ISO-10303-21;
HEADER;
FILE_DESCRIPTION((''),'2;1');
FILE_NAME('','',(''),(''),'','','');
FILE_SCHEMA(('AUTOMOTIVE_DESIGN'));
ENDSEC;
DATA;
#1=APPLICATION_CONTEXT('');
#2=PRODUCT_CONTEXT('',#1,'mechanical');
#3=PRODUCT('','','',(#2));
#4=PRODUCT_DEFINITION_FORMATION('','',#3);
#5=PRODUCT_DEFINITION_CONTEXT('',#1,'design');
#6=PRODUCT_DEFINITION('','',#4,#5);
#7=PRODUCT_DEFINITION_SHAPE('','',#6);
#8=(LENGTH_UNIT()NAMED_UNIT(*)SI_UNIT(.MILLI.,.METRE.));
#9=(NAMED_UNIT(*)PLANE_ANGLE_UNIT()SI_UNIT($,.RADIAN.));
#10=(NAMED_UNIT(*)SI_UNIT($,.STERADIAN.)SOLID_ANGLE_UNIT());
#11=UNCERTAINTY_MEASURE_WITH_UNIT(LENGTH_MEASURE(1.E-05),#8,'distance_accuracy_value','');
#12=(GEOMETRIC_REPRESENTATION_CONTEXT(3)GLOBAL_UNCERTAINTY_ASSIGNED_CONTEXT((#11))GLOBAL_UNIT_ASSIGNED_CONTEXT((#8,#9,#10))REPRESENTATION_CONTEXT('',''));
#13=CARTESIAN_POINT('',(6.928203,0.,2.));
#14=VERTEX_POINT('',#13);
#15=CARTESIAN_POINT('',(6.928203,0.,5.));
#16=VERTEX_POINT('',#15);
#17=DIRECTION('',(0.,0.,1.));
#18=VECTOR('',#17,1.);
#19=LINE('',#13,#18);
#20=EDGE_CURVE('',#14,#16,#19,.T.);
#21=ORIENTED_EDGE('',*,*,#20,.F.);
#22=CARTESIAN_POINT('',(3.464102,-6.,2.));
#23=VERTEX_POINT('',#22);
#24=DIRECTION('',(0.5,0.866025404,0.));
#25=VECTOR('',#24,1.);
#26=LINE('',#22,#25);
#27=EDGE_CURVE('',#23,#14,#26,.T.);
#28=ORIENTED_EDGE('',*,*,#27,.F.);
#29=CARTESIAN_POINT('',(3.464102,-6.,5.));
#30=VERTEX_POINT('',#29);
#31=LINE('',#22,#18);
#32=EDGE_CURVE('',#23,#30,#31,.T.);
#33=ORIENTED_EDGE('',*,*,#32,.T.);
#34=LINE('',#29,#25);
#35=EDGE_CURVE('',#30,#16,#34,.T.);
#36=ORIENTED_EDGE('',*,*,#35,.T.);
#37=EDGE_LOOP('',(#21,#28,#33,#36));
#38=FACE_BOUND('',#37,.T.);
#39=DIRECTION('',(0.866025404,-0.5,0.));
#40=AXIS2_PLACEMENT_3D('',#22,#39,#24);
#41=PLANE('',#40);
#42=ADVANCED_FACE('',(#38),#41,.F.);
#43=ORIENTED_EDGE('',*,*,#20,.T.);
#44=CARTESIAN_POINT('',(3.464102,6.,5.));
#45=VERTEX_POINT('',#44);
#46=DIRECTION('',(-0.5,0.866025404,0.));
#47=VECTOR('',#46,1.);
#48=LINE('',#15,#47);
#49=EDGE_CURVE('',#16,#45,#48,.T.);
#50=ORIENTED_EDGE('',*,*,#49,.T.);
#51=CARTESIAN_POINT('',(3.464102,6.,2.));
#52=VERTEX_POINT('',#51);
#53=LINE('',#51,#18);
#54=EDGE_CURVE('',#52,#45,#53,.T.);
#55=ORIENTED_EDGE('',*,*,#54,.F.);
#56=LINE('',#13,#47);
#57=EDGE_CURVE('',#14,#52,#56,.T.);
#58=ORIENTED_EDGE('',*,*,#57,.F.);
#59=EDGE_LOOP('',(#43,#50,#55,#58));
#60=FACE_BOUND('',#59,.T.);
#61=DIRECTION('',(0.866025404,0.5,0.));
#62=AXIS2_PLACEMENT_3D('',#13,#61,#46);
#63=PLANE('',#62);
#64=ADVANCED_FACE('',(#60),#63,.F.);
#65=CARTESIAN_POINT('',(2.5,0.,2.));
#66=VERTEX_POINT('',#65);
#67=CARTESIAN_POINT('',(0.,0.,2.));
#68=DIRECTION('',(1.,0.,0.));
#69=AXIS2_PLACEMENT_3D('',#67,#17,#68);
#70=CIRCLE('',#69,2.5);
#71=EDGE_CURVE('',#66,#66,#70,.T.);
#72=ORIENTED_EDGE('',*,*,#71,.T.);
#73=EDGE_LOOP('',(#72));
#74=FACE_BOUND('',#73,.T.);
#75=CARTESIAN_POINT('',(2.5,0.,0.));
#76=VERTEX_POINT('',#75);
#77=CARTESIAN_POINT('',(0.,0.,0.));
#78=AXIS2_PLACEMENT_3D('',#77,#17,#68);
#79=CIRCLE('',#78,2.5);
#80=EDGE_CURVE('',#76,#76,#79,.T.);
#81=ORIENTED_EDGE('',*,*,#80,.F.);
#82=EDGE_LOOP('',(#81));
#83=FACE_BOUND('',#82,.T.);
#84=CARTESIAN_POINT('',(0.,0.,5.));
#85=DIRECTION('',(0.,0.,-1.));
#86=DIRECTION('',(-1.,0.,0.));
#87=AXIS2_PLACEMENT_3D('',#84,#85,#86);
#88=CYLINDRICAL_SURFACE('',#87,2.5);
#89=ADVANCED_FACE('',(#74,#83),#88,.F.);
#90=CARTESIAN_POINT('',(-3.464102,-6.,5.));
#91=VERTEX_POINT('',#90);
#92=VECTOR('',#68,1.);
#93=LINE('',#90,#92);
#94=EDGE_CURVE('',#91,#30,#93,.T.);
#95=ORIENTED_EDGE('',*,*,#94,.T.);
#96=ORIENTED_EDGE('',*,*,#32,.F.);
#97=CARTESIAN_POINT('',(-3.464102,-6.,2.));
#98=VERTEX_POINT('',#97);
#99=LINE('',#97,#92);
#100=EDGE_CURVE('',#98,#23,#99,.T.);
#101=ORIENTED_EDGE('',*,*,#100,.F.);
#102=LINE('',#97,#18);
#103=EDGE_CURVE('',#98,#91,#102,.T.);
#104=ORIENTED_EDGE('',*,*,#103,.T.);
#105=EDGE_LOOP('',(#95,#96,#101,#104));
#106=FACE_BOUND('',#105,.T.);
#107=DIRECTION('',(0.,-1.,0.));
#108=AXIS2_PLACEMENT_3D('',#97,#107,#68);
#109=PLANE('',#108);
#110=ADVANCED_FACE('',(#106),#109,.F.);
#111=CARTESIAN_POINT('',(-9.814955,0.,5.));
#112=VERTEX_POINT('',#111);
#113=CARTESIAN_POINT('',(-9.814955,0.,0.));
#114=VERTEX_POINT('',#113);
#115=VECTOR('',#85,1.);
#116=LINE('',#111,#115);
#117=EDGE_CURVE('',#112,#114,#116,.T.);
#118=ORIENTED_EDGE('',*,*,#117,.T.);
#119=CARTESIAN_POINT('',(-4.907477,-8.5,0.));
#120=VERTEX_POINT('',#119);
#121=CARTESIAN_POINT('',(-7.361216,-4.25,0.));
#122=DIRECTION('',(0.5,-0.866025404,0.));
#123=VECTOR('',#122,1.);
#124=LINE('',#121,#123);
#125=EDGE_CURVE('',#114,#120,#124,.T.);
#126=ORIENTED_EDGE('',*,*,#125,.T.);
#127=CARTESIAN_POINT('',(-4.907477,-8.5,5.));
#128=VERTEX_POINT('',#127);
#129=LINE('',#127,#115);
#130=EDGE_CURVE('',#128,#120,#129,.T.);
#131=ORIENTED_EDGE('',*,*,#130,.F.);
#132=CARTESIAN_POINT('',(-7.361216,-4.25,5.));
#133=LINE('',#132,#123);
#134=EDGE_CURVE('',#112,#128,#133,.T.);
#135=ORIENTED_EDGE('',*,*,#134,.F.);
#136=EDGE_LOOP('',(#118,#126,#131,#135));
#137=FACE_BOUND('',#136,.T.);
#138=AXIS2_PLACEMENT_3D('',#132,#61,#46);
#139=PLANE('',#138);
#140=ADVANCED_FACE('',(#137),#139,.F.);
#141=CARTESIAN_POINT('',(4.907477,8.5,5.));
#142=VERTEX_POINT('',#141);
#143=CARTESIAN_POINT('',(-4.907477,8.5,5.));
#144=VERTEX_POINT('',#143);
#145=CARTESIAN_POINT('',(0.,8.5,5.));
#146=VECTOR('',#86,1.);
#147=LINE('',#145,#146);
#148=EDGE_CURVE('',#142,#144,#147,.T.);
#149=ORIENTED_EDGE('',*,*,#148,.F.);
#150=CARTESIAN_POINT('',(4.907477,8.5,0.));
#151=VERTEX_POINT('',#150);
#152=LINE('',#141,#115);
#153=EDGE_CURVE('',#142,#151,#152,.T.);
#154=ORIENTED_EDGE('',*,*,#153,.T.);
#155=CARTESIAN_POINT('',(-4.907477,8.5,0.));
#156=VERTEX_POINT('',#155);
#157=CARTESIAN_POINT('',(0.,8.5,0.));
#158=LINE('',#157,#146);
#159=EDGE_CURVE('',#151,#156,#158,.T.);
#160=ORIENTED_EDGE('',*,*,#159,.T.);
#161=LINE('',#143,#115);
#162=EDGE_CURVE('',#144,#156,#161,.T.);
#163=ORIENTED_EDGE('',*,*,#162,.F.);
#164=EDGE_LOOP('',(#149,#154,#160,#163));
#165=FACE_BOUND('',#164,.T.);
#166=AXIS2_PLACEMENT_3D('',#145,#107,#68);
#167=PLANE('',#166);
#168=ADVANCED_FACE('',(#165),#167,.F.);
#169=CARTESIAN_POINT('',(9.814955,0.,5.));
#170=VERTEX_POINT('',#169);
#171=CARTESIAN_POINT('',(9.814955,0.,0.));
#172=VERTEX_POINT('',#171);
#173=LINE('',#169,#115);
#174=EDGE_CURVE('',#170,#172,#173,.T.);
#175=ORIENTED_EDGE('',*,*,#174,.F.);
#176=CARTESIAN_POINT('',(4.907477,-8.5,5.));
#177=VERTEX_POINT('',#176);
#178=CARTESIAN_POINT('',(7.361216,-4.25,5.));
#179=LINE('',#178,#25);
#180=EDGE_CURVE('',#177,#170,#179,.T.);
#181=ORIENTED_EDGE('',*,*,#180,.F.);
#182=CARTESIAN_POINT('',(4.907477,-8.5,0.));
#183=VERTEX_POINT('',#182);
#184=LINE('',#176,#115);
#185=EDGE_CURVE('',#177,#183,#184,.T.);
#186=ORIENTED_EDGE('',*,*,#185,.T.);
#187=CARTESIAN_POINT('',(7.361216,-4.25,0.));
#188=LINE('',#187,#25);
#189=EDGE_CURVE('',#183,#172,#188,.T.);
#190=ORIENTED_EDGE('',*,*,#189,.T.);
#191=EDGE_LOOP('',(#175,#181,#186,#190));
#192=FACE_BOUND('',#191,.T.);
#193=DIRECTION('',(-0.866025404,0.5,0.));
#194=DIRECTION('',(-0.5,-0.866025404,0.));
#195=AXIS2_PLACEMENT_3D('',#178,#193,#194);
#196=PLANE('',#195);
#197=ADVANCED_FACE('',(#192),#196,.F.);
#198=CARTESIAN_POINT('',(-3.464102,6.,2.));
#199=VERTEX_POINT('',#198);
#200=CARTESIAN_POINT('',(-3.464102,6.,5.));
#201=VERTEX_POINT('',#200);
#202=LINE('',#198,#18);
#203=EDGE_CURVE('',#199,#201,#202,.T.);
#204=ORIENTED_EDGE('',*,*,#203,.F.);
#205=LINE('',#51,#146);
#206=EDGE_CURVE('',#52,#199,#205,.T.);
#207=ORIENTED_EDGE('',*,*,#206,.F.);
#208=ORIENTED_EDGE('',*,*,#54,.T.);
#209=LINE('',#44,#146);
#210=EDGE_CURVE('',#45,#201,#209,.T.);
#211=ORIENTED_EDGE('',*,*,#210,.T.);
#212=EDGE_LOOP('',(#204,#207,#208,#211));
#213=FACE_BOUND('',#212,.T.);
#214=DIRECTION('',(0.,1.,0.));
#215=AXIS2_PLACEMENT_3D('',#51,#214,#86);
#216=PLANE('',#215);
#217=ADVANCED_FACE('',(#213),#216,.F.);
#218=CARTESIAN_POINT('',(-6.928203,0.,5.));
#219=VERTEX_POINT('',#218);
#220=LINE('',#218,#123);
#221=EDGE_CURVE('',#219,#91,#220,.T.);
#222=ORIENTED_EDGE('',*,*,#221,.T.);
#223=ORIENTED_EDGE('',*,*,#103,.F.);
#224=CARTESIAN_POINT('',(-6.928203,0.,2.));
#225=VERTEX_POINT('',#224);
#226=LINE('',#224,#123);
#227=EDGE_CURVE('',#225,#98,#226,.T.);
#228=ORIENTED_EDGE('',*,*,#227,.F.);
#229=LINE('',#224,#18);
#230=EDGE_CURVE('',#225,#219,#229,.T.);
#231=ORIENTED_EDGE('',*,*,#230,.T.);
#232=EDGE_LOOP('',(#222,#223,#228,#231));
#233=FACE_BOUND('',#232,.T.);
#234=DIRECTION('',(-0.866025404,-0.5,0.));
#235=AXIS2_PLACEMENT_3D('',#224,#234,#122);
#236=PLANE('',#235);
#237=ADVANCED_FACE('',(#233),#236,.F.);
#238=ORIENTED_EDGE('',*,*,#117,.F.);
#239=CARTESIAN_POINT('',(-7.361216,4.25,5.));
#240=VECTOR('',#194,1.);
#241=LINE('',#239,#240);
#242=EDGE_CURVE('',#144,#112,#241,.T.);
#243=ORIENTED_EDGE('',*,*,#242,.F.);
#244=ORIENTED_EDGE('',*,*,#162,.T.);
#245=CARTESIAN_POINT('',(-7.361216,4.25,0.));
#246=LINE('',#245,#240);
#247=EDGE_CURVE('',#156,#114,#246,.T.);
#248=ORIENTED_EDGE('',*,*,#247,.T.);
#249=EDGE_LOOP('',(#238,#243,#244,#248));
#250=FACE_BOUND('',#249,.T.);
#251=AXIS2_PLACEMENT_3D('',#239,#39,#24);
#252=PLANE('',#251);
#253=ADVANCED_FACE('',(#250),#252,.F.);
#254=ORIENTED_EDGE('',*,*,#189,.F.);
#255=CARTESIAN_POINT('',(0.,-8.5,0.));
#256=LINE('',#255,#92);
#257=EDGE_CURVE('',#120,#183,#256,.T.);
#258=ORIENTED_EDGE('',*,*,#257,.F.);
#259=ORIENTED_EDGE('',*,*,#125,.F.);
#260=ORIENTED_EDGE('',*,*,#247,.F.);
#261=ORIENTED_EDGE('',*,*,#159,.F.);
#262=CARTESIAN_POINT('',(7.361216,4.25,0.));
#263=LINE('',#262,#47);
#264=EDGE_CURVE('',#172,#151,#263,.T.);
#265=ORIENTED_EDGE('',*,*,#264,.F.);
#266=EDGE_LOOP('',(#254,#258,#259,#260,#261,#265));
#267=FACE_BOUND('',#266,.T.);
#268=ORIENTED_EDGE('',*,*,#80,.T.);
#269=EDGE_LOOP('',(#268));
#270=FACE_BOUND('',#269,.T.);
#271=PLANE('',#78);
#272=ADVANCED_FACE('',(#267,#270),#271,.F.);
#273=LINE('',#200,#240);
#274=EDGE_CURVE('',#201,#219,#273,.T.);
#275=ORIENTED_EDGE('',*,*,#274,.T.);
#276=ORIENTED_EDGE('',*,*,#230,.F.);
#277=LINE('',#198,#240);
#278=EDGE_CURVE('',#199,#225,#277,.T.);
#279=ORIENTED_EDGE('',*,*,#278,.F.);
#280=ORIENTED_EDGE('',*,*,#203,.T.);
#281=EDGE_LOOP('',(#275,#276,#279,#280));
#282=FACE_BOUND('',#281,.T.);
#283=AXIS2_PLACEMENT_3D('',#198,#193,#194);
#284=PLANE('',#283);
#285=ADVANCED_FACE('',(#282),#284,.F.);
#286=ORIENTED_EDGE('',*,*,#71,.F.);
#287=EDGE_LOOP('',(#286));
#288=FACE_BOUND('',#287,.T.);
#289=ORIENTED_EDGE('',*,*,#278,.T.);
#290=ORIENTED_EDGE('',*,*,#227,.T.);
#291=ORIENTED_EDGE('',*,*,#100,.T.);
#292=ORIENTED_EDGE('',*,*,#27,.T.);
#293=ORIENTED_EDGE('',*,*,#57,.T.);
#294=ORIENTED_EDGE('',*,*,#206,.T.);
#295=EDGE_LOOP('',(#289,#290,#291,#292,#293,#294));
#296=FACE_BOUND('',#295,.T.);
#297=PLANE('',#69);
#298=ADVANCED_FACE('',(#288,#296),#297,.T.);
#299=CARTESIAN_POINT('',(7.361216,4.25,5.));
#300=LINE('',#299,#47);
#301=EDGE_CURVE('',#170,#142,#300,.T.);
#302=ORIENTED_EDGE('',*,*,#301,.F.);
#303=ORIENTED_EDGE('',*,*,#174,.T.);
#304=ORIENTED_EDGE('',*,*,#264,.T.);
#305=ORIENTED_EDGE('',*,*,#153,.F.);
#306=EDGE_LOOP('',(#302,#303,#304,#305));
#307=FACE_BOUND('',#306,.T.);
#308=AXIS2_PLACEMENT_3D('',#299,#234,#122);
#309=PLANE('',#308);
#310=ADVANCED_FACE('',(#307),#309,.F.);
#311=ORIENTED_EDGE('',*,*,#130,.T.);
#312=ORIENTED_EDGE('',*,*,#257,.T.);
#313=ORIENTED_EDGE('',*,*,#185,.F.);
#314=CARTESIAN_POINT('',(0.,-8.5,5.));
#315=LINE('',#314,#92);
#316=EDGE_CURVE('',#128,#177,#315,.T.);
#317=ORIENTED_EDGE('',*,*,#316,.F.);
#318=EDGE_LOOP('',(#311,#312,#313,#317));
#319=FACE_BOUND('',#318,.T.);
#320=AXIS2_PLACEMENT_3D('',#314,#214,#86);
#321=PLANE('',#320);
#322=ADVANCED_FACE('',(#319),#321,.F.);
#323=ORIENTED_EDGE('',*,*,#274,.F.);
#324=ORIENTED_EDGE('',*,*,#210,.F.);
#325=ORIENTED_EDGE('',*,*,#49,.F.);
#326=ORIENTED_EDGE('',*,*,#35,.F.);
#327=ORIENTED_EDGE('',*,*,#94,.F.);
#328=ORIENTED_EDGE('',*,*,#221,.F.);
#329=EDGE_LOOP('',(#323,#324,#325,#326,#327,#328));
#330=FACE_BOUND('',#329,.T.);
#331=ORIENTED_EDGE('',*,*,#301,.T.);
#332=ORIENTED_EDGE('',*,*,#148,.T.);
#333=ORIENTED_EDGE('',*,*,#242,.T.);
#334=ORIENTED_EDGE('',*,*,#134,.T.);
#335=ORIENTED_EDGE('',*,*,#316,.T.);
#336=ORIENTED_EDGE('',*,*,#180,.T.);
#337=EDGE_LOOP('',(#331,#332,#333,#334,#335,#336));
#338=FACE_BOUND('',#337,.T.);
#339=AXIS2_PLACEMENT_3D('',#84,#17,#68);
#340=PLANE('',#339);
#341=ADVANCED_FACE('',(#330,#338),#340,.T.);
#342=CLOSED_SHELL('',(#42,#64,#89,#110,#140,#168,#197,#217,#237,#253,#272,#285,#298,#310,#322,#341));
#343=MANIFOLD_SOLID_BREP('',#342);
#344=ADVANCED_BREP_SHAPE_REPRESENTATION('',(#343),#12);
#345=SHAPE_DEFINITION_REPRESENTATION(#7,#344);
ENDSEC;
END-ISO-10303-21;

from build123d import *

# Parameters (mm, degrees)
SKETCH1_R           = 2.5
BOSS_EXTRUDE1_DEPTH = 5
CUT_EXTRUDE1_DEPTH  = 3


with BuildPart() as part:
    # Sketch1 → Boss-Extrude1 (new body)
    with BuildSketch(Plane.XY):
        Polygon((-9.814954576, 0), (-4.907477288, -8.5), (4.907477288, -8.5), (9.814954576, 0), (4.907477288, 8.5), (-4.907477288, 8.5), align=None)
        Circle(SKETCH1_R, mode=Mode.SUBTRACT)
    extrude(amount=BOSS_EXTRUDE1_DEPTH)

    # Sketch2 → Cut-Extrude1 (cut)
    with BuildSketch(Plane.XY.offset(5)):
        Polygon((3.464101615, -6), (6.92820323, 0), (3.464101615, 6), (-3.464101615, 6), (-6.92820323, 0), (-3.464101615, -6), align=None)
    extrude(amount=-CUT_EXTRUDE1_DEPTH, mode=Mode.SUBTRACT)


solid = part.part
